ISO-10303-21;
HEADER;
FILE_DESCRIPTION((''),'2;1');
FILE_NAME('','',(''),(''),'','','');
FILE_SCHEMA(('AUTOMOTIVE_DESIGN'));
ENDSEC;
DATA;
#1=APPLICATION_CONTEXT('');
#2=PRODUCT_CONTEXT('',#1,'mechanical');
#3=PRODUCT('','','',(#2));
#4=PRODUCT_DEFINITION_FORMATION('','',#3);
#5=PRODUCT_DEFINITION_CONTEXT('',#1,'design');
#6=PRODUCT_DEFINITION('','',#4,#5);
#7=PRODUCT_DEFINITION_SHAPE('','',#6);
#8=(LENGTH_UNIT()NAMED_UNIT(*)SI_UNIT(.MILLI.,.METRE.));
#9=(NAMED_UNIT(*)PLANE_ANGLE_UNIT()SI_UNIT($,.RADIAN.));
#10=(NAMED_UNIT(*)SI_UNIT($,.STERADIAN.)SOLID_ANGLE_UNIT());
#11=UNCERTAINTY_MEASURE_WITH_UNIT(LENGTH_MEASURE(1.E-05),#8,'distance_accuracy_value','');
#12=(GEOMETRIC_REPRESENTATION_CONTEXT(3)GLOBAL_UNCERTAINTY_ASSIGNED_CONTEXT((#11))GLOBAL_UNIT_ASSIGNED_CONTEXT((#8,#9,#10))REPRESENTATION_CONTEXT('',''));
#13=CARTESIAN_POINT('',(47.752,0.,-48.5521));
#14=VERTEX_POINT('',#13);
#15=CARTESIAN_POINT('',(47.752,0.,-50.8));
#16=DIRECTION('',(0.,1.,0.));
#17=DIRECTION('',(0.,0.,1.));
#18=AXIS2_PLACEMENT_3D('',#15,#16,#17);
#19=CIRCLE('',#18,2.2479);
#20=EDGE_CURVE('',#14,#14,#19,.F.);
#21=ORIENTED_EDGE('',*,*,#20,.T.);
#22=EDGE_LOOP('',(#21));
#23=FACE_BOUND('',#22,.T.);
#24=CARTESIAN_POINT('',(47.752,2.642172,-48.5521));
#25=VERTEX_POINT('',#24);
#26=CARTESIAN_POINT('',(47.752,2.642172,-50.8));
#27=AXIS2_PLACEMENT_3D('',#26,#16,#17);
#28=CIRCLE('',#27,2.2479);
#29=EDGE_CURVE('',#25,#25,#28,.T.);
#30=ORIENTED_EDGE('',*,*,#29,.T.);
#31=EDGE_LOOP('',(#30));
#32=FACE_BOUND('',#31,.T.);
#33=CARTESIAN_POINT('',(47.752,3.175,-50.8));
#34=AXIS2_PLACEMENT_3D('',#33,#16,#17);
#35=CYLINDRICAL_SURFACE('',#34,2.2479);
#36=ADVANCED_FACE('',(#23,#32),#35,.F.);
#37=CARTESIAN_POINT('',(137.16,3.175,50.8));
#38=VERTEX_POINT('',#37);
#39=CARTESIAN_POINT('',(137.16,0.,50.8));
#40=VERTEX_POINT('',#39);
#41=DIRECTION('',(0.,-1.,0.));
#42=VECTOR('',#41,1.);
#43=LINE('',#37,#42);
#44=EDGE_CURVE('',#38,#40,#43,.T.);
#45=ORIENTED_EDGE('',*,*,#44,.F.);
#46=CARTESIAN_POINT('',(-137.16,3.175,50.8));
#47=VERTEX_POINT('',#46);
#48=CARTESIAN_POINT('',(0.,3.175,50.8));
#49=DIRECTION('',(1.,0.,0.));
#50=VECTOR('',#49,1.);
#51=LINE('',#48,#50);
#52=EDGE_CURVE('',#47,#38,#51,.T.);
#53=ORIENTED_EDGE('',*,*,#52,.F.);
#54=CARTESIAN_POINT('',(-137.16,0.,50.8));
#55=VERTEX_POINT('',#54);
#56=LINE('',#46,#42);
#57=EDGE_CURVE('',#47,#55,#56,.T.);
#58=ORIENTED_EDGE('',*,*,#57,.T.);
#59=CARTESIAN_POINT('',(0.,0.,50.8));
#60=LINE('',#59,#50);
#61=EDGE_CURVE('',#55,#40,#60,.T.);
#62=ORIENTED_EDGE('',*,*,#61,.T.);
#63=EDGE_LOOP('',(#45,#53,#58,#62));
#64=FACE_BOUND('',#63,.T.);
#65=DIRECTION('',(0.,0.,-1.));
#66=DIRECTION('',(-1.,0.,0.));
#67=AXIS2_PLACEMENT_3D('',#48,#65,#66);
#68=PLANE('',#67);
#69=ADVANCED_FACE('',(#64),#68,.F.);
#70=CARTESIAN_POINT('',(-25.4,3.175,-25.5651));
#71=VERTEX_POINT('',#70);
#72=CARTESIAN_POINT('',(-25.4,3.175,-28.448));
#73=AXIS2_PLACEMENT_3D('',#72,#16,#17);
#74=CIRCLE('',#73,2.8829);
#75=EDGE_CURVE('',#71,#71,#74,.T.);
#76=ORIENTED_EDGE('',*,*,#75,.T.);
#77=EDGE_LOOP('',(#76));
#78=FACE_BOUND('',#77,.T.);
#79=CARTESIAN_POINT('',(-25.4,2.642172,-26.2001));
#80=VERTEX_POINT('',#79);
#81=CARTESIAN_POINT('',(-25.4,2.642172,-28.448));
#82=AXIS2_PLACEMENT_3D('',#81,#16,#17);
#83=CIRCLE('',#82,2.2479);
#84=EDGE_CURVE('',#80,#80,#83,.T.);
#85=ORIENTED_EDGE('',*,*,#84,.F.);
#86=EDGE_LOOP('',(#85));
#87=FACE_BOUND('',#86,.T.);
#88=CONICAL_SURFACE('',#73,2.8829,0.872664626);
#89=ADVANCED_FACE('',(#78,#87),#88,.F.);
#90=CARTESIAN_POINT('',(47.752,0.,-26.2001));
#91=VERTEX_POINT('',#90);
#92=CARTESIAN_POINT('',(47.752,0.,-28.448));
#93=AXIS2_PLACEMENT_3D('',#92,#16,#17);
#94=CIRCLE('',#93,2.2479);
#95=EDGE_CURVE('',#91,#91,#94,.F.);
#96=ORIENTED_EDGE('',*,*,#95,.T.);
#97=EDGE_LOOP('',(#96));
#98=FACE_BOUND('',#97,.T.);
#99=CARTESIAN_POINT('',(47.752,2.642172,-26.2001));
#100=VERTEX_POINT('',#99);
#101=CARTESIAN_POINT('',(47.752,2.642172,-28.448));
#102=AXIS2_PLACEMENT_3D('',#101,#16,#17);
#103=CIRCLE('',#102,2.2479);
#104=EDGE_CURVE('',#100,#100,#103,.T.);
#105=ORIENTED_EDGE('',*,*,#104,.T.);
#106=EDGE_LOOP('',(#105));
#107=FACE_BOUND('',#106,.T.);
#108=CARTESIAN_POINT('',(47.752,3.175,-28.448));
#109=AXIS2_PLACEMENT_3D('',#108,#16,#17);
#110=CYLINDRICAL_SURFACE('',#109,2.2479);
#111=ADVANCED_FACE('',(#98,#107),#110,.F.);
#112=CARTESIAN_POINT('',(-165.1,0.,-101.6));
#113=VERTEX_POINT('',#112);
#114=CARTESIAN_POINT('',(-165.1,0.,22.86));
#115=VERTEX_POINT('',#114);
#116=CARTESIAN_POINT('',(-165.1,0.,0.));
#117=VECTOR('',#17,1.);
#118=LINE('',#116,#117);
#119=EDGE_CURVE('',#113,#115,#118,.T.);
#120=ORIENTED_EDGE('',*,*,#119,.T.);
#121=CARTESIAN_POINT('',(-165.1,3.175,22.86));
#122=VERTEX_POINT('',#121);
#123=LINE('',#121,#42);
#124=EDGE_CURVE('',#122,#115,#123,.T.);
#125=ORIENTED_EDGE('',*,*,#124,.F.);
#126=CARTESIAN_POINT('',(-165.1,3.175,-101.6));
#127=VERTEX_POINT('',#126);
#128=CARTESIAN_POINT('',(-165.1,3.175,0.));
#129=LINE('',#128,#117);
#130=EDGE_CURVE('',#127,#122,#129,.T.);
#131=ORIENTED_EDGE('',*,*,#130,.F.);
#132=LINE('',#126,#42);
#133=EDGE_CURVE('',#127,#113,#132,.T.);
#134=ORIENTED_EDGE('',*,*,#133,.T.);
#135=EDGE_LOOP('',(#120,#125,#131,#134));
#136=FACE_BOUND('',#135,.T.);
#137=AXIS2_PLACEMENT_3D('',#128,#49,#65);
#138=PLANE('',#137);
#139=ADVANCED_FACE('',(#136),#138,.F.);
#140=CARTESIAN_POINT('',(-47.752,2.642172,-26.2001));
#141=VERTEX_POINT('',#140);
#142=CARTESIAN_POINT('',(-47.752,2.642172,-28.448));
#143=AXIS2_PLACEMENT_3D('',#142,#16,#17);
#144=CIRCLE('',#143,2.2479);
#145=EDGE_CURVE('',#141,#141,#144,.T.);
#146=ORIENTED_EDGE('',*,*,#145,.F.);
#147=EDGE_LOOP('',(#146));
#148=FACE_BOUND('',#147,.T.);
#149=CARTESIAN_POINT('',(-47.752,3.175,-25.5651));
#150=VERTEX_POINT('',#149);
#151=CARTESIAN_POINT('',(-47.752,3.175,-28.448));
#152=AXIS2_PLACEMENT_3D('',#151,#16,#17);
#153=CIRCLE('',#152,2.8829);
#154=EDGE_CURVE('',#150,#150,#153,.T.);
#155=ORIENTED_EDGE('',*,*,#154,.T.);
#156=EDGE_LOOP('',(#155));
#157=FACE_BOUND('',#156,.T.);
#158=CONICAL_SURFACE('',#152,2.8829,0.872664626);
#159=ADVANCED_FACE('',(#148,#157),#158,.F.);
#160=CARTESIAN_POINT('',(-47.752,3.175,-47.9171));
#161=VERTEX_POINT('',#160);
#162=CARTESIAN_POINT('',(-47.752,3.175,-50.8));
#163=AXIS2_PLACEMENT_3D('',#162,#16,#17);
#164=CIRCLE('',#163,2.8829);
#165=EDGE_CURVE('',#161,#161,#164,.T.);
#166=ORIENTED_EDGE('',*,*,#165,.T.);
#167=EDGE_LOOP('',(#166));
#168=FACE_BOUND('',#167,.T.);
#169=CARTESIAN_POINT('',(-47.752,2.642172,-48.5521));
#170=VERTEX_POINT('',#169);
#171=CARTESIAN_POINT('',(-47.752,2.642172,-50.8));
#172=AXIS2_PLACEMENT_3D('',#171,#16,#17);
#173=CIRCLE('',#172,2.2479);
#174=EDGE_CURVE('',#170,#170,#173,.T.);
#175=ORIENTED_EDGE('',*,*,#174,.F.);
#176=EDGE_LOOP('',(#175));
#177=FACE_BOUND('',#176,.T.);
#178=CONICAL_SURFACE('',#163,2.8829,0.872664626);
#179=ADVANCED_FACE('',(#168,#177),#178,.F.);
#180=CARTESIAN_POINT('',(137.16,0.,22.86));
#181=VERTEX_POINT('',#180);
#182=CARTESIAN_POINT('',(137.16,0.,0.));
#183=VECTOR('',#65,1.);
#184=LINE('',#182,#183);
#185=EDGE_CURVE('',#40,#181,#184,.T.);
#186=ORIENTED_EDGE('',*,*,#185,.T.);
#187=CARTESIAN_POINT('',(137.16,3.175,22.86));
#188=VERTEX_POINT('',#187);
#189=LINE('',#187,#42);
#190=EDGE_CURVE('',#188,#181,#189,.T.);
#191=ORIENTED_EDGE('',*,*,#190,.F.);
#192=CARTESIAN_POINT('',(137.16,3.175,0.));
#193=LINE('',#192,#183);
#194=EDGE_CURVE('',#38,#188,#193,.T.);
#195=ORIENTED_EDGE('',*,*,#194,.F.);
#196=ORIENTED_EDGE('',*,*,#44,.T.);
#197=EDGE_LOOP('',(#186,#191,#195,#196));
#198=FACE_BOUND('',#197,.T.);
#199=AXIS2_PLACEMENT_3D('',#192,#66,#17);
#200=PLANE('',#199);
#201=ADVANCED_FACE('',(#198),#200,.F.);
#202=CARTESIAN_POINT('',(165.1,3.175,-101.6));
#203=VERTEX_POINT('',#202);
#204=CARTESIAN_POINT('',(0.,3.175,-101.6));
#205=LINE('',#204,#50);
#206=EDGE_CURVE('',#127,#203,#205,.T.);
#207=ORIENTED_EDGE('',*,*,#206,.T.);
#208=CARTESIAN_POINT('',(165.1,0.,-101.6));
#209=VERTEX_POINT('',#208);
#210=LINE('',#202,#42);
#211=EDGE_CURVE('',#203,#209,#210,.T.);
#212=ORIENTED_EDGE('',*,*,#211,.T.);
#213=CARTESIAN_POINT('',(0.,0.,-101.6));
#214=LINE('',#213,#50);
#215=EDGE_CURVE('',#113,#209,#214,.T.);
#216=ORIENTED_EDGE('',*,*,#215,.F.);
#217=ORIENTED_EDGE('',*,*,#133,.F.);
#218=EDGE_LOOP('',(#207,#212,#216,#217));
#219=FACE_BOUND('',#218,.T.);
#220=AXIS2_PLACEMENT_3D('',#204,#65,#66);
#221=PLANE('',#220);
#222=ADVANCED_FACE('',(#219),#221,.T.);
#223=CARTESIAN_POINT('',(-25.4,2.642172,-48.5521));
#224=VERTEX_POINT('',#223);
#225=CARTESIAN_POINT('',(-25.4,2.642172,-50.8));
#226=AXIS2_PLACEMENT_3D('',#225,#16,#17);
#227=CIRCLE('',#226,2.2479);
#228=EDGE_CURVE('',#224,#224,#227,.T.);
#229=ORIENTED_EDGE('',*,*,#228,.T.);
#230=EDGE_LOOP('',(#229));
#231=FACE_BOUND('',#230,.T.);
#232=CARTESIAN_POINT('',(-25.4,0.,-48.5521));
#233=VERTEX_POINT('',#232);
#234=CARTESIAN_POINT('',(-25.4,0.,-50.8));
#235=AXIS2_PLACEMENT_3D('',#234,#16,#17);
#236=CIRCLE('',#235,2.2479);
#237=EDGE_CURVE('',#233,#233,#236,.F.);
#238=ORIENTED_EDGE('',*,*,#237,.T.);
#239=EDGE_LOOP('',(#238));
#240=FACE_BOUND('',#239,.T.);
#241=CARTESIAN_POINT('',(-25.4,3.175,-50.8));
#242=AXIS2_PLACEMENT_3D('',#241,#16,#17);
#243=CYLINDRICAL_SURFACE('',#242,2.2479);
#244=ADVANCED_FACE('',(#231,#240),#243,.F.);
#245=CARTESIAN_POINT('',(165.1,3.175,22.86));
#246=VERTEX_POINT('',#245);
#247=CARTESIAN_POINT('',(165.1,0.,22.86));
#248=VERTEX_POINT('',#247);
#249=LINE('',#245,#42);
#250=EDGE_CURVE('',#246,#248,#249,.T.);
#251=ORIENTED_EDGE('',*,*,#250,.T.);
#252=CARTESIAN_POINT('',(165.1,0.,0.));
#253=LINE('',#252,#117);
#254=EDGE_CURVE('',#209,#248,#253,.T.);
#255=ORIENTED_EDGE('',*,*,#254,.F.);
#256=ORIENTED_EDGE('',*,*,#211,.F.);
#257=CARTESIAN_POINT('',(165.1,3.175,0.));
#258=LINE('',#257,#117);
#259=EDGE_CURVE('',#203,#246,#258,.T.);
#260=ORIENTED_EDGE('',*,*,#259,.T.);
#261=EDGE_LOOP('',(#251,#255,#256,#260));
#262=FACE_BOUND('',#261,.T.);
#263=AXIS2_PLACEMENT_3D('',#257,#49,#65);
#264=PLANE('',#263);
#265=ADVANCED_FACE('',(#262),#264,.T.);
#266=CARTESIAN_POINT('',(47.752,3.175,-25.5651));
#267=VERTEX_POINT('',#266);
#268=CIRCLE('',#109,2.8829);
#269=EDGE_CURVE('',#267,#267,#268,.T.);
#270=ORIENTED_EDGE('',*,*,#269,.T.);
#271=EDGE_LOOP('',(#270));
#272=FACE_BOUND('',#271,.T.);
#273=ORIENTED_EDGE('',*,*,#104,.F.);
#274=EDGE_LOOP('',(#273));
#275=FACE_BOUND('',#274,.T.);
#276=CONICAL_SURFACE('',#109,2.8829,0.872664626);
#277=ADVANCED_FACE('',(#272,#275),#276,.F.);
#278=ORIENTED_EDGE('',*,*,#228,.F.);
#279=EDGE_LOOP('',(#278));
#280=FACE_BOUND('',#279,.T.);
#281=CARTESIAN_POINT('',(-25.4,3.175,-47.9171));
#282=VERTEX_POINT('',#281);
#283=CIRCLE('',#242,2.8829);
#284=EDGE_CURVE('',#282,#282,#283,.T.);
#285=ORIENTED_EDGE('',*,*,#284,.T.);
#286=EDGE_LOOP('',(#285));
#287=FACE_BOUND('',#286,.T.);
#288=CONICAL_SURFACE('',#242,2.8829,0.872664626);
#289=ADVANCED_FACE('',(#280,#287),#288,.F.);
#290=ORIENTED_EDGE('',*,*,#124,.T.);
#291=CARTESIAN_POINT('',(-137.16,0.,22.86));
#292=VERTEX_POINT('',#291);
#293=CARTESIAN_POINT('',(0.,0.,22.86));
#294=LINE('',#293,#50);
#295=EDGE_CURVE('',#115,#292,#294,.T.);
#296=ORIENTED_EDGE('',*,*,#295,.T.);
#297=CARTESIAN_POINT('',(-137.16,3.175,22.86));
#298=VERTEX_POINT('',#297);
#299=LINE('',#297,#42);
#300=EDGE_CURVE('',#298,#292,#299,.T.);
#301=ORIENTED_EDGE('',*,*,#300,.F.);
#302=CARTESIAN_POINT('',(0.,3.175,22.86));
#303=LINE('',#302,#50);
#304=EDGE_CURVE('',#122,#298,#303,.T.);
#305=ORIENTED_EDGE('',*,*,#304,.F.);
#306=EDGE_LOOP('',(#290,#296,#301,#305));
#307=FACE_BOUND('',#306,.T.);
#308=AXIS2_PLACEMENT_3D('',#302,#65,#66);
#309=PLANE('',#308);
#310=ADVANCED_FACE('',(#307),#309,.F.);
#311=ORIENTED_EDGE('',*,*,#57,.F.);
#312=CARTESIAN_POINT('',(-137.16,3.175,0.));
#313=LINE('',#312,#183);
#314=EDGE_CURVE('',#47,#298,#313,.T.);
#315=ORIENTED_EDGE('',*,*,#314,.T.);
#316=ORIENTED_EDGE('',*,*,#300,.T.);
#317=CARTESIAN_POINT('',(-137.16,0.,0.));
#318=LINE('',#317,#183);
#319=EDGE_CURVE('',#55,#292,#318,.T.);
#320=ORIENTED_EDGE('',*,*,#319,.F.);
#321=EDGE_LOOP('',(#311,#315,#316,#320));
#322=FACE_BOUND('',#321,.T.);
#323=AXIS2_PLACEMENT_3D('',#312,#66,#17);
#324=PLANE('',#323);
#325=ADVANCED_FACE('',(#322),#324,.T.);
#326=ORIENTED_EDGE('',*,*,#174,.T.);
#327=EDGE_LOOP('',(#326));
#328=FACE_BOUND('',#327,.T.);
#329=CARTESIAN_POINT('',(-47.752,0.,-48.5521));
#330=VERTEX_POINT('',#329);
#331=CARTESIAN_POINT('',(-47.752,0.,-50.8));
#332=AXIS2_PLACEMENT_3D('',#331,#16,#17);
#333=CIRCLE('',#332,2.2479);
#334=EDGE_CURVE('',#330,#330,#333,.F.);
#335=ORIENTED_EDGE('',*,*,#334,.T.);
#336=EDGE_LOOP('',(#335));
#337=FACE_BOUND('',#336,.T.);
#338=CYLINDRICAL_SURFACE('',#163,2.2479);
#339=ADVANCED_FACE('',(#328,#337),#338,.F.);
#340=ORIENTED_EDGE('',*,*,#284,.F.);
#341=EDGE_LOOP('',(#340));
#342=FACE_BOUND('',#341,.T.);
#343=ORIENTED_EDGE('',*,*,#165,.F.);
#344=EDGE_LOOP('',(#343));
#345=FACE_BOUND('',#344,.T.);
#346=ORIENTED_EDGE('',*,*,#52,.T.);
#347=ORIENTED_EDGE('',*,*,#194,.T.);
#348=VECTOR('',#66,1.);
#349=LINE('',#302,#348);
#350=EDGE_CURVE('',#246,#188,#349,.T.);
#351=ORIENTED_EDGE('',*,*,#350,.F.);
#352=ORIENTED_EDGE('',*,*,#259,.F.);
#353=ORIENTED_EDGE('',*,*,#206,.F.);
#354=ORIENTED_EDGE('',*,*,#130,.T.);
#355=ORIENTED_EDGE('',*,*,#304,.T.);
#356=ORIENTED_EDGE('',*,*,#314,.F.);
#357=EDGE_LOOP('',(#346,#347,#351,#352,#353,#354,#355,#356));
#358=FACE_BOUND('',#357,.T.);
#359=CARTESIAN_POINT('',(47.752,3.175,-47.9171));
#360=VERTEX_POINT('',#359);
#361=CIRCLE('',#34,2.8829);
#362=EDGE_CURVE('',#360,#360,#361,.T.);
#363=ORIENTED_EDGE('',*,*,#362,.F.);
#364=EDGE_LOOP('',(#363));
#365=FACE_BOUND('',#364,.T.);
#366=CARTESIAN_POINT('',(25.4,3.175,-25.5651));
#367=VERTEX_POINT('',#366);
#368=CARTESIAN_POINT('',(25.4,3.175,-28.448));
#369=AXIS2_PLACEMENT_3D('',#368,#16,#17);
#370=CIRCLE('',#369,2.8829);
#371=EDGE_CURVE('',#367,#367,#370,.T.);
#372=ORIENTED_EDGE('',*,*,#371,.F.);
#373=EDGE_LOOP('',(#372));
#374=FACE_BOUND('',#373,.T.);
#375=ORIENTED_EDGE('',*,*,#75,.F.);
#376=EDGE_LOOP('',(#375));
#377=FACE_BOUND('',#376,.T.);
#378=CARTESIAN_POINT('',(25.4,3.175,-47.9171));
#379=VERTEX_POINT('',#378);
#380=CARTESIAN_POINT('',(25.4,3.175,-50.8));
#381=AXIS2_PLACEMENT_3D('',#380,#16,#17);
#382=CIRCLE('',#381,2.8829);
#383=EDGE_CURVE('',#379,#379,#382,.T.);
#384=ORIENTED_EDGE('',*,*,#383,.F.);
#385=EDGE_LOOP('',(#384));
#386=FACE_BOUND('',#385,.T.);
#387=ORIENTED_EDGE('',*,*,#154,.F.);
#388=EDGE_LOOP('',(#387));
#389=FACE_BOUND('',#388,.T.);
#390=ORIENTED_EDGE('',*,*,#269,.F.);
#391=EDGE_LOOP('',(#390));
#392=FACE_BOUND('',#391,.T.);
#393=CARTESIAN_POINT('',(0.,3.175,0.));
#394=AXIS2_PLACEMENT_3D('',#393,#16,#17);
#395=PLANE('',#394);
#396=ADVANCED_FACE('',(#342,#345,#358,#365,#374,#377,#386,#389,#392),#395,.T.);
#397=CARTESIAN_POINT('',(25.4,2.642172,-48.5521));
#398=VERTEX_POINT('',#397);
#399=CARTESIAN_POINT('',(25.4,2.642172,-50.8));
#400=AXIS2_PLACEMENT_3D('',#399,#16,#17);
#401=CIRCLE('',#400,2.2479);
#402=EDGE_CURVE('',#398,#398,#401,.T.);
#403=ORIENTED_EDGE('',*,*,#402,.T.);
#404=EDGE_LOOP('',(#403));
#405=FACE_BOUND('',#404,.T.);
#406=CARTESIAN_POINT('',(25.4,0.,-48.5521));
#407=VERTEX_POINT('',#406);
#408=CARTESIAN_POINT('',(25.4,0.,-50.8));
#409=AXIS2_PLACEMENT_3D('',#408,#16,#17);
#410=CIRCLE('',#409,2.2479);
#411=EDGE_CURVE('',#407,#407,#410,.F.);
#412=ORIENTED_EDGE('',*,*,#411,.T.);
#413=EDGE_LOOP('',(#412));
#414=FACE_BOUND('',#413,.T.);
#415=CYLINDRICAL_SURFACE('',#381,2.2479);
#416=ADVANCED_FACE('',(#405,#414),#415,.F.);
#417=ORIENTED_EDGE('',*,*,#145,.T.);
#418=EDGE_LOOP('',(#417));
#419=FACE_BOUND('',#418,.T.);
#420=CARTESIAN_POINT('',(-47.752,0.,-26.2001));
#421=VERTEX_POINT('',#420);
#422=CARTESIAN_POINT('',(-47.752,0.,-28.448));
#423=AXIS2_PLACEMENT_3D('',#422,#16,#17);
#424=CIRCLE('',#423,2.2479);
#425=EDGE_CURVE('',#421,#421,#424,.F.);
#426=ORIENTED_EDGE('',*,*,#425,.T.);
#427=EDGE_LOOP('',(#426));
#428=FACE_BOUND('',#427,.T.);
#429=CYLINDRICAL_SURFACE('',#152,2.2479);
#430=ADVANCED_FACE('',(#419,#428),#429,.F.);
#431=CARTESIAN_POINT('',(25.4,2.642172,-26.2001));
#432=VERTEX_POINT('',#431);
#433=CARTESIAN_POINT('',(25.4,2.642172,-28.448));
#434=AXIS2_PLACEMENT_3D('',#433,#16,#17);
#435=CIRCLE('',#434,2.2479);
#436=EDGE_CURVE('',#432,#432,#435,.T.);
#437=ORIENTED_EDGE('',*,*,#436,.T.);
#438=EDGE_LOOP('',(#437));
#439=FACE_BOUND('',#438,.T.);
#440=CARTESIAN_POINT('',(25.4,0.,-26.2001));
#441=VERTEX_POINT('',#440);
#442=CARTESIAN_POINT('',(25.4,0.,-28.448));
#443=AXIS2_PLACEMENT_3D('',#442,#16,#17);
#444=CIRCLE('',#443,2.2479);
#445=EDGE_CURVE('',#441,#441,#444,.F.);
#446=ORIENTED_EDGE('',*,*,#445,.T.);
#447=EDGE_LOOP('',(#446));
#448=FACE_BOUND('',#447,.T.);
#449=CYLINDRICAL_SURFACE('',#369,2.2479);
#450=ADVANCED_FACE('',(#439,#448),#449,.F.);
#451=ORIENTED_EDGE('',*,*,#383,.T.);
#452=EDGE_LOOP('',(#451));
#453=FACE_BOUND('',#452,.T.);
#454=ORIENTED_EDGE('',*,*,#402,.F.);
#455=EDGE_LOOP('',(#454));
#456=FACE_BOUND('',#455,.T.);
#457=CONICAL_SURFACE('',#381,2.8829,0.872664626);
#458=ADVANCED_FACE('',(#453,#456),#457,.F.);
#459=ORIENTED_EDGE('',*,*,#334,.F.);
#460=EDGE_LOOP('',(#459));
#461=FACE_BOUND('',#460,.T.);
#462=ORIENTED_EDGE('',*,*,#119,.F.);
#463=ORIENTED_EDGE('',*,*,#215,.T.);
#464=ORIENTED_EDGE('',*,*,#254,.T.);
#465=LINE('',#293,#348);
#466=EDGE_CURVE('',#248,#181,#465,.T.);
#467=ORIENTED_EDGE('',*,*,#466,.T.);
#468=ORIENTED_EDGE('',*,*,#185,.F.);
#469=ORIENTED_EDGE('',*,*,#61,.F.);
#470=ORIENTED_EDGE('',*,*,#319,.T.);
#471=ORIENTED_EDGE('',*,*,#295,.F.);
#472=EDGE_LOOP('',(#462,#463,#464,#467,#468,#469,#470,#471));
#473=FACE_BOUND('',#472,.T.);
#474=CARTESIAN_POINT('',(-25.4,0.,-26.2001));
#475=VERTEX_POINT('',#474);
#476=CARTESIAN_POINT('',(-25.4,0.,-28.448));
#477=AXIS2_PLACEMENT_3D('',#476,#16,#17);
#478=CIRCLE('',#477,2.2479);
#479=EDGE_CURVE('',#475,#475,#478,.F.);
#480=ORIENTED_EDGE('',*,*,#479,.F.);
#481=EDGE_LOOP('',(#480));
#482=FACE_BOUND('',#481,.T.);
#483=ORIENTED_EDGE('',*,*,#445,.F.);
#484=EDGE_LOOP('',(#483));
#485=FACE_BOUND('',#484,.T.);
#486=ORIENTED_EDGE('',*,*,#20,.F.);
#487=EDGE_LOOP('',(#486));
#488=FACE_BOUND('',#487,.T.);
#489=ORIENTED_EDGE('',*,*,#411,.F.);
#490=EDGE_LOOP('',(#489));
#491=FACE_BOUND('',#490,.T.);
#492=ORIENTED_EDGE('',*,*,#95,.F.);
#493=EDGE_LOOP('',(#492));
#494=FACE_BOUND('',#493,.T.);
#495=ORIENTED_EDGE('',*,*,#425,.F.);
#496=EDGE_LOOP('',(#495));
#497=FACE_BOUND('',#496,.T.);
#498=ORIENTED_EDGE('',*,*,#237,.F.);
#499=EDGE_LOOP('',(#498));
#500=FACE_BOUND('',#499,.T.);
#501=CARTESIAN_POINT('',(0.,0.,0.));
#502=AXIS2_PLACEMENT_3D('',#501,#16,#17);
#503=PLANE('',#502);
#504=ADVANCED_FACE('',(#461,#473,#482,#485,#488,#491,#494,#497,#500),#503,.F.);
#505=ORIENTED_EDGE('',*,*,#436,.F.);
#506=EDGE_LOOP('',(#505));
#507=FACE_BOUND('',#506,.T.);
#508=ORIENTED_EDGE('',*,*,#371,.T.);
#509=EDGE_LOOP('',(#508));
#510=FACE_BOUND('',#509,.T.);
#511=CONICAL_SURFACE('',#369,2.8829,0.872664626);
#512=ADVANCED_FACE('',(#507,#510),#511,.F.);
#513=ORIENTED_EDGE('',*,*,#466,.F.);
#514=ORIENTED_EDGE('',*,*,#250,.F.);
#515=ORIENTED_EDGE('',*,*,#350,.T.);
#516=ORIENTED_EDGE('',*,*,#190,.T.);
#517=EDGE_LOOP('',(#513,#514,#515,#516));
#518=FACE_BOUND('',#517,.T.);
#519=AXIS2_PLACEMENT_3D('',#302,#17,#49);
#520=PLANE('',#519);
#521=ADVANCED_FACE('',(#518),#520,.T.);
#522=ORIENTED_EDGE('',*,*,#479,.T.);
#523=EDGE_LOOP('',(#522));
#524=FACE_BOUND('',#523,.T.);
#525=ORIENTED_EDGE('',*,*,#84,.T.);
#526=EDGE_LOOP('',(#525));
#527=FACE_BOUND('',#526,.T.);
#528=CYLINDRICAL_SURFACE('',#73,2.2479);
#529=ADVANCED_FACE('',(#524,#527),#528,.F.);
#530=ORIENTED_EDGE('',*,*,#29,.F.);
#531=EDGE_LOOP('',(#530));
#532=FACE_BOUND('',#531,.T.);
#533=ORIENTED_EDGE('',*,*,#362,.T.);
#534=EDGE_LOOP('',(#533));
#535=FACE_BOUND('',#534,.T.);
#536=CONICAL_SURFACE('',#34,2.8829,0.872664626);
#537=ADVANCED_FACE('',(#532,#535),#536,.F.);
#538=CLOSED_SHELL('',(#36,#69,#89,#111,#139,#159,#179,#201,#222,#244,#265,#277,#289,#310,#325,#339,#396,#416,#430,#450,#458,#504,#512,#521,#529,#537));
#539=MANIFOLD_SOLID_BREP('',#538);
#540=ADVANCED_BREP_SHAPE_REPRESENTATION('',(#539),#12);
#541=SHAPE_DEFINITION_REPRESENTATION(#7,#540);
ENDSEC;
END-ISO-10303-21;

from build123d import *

# Parameters (mm, degrees)
BOSS_EXTRUDE1_DEPTH                   = 3.175
F_16_0_177_DIAMETER_HOLE1_D           = 4.4958
F_16_0_177_DIAMETER_HOLE1_DEPTH       = 3.175
F_16_0_177_DIAMETER_HOLE1_CSINK_D     = 5.7658
F_16_0_177_DIAMETER_HOLE1_CSINK_ANGLE = 100
F_16_0_177_DIAMETER_HOLE1_TIP         = 1.350674586


with BuildPart() as part:
    # Sketch1 → Boss-Extrude1 (new body)
    with BuildSketch(Plane(origin=(0, 0, 0), x_dir=(1, 0, 0), z_dir=(0, 1, 0))):
        Polygon((-137.16, -50.8), (137.16, -50.8), (137.16, -22.86), (165.1, -22.86), (165.1, 101.6), (-165.1, 101.6), (-165.1, -22.86), (-137.16, -22.86), align=None)
    extrude(amount=BOSS_EXTRUDE1_DEPTH)

    # #16 (0.177) Diameter Hole1
    with Locations(Plane(origin=(0, 3.175, 0), x_dir=(1, 0, 0), z_dir=(0, 1, 0))):
        with Locations((-47.752, 50.8), (-25.4, 50.8), (-25.4, 28.448), (-47.752, 28.448), (25.4, 28.448), (25.4, 50.8), (47.752, 50.8), (47.752, 28.448)):
            CounterSinkHole(F_16_0_177_DIAMETER_HOLE1_D / 2, F_16_0_177_DIAMETER_HOLE1_CSINK_D / 2, depth=F_16_0_177_DIAMETER_HOLE1_DEPTH, counter_sink_angle=F_16_0_177_DIAMETER_HOLE1_CSINK_ANGLE)
            with Locations((0, 0, -(F_16_0_177_DIAMETER_HOLE1_DEPTH + F_16_0_177_DIAMETER_HOLE1_TIP / 2))):  # 118° drill point
                Cone(0, F_16_0_177_DIAMETER_HOLE1_D / 2, F_16_0_177_DIAMETER_HOLE1_TIP, mode=Mode.SUBTRACT)


solid = part.part
